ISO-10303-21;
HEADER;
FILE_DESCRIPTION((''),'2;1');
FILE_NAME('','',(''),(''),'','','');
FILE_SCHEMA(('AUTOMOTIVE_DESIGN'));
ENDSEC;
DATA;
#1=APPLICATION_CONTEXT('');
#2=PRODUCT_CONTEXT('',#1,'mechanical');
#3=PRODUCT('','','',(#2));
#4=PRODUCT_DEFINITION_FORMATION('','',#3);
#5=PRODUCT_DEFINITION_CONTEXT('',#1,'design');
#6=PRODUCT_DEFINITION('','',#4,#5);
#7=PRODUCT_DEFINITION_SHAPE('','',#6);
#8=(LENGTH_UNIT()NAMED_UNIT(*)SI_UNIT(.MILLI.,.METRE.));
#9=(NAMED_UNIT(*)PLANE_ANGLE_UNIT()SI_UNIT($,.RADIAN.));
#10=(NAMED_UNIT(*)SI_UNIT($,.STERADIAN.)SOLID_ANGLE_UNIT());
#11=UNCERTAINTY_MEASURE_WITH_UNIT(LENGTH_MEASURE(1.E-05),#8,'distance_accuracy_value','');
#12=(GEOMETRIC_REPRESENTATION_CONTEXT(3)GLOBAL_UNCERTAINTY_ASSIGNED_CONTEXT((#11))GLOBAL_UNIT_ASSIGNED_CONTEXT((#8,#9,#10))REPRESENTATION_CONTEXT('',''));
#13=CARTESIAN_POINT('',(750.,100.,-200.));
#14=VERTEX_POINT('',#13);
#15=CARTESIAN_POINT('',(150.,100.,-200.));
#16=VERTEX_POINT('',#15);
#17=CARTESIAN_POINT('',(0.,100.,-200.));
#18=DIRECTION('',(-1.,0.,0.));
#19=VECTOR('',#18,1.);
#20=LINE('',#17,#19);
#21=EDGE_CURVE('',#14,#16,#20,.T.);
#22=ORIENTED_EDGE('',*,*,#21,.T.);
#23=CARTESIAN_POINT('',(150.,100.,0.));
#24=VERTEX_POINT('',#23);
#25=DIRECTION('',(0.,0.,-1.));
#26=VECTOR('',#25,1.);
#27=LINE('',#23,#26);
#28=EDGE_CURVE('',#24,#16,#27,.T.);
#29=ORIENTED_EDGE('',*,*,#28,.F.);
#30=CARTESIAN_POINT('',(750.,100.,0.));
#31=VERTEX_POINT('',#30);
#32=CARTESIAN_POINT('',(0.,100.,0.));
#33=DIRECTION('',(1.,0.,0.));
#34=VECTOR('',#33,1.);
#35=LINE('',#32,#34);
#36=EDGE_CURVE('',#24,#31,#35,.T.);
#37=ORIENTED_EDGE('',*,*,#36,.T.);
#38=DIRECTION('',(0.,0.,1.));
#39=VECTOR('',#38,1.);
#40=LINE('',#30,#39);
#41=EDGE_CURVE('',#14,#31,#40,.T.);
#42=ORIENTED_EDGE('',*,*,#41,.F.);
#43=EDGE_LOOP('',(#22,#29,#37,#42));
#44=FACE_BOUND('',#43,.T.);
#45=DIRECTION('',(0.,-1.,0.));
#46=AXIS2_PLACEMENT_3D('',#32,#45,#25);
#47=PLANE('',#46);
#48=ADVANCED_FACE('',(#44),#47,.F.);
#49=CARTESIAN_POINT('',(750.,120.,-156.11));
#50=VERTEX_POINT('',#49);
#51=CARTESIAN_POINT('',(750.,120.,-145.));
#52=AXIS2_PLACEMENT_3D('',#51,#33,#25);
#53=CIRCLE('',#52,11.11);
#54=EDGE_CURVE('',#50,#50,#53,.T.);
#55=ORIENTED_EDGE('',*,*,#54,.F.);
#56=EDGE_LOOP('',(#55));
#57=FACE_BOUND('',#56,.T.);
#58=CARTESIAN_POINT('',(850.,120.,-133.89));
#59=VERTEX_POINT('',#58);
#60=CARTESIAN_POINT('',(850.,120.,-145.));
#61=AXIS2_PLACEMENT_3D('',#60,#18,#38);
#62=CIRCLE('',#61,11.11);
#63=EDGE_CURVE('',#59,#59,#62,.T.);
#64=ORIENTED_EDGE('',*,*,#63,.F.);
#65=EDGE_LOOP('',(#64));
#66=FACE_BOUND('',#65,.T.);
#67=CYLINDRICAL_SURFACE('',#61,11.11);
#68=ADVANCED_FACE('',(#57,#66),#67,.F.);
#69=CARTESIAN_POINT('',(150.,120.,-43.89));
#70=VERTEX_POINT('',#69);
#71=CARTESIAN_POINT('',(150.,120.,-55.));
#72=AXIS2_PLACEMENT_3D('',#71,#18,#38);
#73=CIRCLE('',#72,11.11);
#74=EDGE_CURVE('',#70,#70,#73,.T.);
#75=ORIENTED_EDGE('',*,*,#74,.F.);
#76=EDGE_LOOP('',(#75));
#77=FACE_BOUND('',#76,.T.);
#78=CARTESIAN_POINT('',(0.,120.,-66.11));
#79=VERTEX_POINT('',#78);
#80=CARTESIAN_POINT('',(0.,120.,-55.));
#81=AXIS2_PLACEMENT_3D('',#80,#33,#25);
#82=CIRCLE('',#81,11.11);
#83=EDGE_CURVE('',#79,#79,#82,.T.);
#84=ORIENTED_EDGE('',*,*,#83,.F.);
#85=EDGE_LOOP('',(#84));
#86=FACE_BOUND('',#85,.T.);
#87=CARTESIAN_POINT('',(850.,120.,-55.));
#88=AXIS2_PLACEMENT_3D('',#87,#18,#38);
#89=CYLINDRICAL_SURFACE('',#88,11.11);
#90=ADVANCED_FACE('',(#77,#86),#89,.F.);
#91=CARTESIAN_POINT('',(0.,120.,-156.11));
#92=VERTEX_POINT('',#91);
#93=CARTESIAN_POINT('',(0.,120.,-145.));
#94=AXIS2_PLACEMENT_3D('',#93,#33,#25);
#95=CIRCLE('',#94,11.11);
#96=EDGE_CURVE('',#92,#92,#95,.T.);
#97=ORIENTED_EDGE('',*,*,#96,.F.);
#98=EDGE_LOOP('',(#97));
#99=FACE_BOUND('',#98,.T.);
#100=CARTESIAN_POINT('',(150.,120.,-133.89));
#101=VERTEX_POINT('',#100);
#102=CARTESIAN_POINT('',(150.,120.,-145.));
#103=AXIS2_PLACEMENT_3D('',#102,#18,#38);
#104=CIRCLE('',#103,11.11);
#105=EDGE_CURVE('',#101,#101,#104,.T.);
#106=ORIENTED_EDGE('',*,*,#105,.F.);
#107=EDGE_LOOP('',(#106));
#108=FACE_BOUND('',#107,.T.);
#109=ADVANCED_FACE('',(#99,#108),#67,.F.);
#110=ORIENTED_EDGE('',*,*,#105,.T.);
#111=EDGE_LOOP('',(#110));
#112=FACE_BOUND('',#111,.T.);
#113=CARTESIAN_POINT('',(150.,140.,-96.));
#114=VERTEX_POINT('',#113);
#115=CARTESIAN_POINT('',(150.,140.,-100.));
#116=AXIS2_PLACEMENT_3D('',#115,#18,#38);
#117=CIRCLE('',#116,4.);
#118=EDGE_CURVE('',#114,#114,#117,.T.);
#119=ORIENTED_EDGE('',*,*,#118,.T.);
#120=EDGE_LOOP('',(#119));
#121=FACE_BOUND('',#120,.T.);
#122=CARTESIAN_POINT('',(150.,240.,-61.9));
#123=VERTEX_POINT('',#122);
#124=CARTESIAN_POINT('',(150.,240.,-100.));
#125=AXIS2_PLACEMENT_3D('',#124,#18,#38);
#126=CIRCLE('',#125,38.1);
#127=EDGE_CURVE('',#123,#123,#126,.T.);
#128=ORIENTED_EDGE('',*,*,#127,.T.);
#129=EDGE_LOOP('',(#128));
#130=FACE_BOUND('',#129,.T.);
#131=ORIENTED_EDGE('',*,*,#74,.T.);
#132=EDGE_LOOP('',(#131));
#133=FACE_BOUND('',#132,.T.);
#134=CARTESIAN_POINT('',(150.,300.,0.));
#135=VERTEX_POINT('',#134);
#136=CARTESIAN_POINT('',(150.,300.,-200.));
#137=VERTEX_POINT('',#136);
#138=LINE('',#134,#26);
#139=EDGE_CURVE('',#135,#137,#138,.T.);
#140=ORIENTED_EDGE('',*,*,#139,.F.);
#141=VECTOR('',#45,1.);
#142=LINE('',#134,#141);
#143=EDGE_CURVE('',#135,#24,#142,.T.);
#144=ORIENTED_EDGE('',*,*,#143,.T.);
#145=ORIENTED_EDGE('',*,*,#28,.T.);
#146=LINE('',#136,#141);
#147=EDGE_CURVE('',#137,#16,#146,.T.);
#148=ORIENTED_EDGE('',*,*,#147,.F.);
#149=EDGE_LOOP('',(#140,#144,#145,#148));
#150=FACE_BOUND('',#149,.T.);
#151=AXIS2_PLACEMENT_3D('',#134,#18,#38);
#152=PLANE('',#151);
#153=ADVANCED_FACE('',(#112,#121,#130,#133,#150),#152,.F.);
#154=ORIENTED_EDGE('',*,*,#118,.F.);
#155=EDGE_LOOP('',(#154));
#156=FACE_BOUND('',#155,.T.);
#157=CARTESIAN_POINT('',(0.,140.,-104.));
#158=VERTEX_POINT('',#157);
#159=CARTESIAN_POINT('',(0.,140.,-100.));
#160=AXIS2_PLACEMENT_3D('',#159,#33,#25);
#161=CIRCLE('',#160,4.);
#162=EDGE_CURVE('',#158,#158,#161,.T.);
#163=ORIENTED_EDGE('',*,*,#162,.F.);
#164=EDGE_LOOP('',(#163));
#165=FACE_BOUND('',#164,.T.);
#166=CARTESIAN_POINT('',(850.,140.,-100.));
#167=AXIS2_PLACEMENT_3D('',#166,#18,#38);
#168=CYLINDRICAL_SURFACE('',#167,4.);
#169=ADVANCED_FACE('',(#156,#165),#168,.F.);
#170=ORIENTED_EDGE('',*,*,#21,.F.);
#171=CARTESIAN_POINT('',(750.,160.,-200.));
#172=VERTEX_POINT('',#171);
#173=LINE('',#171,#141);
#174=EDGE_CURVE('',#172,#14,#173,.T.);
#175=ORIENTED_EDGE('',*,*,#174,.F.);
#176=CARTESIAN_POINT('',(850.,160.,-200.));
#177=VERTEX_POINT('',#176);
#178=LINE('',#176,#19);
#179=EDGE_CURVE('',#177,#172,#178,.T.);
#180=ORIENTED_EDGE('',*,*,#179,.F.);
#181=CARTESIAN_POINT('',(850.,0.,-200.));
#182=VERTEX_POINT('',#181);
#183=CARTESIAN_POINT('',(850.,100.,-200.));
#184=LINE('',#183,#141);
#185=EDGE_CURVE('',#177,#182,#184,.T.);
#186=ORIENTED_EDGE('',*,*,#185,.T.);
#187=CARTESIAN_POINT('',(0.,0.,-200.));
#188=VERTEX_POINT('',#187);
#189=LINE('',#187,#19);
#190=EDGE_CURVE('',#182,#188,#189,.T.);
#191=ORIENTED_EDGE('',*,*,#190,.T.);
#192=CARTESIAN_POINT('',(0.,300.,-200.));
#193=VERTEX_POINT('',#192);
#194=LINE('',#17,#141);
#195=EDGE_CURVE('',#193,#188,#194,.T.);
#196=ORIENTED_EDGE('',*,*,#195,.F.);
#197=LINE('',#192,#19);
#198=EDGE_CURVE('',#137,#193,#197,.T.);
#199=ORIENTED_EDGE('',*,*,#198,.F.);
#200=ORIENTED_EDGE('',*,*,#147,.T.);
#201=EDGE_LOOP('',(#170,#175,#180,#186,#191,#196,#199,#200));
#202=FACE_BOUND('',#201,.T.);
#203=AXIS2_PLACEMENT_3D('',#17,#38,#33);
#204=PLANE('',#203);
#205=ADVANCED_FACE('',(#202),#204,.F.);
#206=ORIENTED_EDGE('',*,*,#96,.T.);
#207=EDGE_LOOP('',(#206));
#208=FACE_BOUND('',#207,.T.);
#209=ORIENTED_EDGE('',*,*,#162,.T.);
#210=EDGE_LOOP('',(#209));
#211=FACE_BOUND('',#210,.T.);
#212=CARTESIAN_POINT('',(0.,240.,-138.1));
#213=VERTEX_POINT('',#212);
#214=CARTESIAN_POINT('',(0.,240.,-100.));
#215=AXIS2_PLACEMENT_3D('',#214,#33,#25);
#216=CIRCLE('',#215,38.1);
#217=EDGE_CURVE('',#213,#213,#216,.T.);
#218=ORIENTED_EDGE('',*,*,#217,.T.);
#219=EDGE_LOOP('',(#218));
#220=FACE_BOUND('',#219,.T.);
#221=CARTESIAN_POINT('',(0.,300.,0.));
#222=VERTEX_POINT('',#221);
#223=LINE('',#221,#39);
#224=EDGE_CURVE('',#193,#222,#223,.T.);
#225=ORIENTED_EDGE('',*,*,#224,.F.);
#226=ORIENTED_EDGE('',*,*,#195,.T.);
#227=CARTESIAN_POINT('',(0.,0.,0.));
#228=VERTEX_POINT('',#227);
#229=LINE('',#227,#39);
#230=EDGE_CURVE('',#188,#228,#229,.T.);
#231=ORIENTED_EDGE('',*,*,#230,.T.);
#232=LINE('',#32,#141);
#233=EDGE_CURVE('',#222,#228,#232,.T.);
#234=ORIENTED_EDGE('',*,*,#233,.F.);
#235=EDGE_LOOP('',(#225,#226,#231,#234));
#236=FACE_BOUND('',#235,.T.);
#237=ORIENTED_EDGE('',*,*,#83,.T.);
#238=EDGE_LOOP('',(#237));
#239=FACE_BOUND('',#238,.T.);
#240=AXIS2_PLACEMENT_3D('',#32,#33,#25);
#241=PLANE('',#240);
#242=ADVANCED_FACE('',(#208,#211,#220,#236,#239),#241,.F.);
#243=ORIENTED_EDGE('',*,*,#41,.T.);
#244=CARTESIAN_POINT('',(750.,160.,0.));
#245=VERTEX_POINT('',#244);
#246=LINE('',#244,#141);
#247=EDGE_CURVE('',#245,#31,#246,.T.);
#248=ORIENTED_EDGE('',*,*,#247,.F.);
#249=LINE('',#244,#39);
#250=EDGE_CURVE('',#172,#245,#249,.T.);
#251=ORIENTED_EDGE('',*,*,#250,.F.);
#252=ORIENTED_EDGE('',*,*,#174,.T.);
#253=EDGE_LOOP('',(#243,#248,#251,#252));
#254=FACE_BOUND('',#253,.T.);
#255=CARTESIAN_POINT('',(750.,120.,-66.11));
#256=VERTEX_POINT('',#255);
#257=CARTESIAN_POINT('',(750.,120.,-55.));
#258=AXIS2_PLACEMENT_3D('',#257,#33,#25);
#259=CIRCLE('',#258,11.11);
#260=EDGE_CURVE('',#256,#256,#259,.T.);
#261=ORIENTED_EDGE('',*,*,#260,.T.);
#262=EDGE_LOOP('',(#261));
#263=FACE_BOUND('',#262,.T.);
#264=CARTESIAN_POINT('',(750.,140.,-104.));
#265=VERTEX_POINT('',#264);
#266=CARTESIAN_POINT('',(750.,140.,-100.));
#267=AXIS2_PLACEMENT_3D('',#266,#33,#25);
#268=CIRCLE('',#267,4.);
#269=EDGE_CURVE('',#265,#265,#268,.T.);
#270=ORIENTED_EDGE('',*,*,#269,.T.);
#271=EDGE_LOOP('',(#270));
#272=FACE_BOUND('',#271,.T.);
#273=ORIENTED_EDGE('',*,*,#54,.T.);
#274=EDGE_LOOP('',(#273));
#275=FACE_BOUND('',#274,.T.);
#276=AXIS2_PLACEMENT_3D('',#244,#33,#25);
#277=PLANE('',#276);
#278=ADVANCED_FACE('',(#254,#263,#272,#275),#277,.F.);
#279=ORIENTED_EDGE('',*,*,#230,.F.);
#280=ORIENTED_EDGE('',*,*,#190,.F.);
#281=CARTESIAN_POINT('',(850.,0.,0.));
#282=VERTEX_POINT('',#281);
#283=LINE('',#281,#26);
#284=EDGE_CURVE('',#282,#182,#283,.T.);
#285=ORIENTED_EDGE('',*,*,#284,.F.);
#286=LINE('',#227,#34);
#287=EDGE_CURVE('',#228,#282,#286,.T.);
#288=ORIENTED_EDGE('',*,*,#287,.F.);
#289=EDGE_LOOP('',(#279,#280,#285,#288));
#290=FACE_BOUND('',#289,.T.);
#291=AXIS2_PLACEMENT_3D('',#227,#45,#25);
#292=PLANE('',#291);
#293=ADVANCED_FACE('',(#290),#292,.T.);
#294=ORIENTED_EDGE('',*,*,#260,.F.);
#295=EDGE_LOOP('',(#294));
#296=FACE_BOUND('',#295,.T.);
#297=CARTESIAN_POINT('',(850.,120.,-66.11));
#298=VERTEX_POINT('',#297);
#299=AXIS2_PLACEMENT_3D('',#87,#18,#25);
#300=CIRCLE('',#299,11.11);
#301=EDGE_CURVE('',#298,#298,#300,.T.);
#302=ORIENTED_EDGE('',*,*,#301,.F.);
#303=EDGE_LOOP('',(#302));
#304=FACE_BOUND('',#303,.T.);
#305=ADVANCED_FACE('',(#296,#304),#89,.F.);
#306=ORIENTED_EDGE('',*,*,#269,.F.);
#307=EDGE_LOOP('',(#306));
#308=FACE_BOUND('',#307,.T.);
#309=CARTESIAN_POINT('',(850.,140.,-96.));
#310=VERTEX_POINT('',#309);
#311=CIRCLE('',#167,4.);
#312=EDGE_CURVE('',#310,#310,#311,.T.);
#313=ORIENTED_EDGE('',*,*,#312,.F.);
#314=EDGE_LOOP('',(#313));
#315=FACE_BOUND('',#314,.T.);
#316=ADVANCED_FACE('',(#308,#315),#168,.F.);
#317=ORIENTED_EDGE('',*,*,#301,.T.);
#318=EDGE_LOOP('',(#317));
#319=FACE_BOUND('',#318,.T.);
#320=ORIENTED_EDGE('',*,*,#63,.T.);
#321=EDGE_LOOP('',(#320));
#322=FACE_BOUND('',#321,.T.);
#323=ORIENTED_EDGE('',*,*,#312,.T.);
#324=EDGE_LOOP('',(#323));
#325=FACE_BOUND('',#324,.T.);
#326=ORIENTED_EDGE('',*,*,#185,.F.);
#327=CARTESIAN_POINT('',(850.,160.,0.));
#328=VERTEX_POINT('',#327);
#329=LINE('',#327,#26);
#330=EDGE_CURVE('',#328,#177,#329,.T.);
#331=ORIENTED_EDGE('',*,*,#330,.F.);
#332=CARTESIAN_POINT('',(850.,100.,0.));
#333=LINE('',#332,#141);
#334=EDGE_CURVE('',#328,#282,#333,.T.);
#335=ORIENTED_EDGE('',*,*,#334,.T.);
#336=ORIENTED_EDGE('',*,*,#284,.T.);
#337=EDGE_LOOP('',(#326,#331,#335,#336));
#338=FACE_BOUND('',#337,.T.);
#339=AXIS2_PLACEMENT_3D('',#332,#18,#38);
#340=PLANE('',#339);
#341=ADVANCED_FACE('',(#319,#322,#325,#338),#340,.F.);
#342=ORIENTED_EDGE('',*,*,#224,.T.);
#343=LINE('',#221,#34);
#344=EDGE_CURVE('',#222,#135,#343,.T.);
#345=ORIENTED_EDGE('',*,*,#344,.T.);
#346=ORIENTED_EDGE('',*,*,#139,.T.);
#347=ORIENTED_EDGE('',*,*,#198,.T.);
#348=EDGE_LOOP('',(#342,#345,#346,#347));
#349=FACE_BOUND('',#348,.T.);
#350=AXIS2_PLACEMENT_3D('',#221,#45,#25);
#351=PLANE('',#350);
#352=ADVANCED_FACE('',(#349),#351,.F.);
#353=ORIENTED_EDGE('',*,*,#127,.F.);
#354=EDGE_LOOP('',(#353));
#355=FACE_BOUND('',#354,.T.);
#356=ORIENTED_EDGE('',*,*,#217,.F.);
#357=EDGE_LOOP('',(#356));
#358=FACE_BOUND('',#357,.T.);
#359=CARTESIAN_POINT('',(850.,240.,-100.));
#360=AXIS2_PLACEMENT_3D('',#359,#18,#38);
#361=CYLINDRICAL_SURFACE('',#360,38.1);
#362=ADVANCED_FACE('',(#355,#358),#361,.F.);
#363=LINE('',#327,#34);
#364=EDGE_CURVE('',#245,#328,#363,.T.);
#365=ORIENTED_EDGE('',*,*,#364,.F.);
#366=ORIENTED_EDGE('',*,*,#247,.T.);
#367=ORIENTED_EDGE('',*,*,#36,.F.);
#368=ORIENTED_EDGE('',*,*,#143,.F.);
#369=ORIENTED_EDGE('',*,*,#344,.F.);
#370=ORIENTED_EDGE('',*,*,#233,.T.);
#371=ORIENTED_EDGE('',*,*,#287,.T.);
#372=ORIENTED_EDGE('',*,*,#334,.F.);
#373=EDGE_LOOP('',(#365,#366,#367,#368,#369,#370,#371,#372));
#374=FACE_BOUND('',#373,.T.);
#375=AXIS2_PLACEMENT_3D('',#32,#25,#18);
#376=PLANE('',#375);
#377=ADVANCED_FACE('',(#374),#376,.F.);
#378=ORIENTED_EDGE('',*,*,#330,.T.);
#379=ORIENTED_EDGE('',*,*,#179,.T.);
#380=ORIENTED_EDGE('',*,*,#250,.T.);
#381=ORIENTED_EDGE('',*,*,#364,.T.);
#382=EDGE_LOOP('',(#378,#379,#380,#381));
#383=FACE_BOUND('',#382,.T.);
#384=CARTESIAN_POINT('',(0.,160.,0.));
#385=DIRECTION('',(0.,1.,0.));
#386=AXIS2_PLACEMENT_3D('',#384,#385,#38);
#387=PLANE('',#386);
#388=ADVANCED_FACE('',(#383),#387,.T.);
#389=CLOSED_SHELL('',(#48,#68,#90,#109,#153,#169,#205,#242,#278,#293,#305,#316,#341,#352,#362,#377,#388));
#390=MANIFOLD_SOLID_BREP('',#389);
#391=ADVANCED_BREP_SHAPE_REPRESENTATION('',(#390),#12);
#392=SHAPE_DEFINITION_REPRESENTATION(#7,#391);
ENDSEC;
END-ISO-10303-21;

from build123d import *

# Parameters (mm, degrees)
SKETCH1_W               = 850
SKETCH1_H               = 200
BOSS_EXTRUDE1_DEPTH     = 100
SKETCH2_W               = 150
SKETCH2_H               = 200
BOSS_EXTRUDE2_DEPTH     = 200
SKETCH4_W               = 100
SKETCH4_H               = 200
BOSS_EXTRUDE3_DEPTH     = 60
CUT_EXTRUDE1_DEPTH      = 924.309265631
CUT_EXTRUDE1_DEPTH_BACK = 924.309265631
SKETCH3_R               = 38.1
SKETCH3_R_2             = 11.11
SKETCH3_R_3             = 4


with BuildPart() as part:
    # Sketch1 → Boss-Extrude1 (new body)
    with BuildSketch(Plane(origin=(0, 0, 0), x_dir=(1, 0, 0), z_dir=(0, 1, 0))):
        with Locations((425, 100)):
            Rectangle(SKETCH1_W, SKETCH1_H)
    extrude(amount=BOSS_EXTRUDE1_DEPTH)

    # Sketch2 → Boss-Extrude2 (add)
    with BuildSketch(Plane(origin=(0, 100, 0), x_dir=(1, 0, 0), z_dir=(0, 1, 0))):
        with Locations((75, 100)):
            Rectangle(SKETCH2_W, SKETCH2_H)
    extrude(amount=BOSS_EXTRUDE2_DEPTH)

    # Sketch4 → Boss-Extrude3 (add)
    with BuildSketch(Plane(origin=(0, 100, 0), x_dir=(1, 0, 0), z_dir=(0, 1, 0))):
        with Locations((800, 100)):
            Rectangle(SKETCH4_W, SKETCH4_H)
    extrude(amount=BOSS_EXTRUDE3_DEPTH)

    # Sketch3 → Cut-Extrude1 (cut, two sides: drawn at the far end of the back side and taken through both)
    with BuildSketch(Plane.ZY.offset(-CUT_EXTRUDE1_DEPTH_BACK)):
        with Locations((-100, 240)):
            Circle(SKETCH3_R)
        with Locations((-145, 120)):
            Circle(SKETCH3_R_2)
        with Locations(Location((-55, 120, 0), (0, 0, 180))):
            Circle(SKETCH3_R_2)
        with Locations((-100, 140)):
            Circle(SKETCH3_R_3)
    extrude(amount=CUT_EXTRUDE1_DEPTH + CUT_EXTRUDE1_DEPTH_BACK, mode=Mode.SUBTRACT)


solid = part.part
